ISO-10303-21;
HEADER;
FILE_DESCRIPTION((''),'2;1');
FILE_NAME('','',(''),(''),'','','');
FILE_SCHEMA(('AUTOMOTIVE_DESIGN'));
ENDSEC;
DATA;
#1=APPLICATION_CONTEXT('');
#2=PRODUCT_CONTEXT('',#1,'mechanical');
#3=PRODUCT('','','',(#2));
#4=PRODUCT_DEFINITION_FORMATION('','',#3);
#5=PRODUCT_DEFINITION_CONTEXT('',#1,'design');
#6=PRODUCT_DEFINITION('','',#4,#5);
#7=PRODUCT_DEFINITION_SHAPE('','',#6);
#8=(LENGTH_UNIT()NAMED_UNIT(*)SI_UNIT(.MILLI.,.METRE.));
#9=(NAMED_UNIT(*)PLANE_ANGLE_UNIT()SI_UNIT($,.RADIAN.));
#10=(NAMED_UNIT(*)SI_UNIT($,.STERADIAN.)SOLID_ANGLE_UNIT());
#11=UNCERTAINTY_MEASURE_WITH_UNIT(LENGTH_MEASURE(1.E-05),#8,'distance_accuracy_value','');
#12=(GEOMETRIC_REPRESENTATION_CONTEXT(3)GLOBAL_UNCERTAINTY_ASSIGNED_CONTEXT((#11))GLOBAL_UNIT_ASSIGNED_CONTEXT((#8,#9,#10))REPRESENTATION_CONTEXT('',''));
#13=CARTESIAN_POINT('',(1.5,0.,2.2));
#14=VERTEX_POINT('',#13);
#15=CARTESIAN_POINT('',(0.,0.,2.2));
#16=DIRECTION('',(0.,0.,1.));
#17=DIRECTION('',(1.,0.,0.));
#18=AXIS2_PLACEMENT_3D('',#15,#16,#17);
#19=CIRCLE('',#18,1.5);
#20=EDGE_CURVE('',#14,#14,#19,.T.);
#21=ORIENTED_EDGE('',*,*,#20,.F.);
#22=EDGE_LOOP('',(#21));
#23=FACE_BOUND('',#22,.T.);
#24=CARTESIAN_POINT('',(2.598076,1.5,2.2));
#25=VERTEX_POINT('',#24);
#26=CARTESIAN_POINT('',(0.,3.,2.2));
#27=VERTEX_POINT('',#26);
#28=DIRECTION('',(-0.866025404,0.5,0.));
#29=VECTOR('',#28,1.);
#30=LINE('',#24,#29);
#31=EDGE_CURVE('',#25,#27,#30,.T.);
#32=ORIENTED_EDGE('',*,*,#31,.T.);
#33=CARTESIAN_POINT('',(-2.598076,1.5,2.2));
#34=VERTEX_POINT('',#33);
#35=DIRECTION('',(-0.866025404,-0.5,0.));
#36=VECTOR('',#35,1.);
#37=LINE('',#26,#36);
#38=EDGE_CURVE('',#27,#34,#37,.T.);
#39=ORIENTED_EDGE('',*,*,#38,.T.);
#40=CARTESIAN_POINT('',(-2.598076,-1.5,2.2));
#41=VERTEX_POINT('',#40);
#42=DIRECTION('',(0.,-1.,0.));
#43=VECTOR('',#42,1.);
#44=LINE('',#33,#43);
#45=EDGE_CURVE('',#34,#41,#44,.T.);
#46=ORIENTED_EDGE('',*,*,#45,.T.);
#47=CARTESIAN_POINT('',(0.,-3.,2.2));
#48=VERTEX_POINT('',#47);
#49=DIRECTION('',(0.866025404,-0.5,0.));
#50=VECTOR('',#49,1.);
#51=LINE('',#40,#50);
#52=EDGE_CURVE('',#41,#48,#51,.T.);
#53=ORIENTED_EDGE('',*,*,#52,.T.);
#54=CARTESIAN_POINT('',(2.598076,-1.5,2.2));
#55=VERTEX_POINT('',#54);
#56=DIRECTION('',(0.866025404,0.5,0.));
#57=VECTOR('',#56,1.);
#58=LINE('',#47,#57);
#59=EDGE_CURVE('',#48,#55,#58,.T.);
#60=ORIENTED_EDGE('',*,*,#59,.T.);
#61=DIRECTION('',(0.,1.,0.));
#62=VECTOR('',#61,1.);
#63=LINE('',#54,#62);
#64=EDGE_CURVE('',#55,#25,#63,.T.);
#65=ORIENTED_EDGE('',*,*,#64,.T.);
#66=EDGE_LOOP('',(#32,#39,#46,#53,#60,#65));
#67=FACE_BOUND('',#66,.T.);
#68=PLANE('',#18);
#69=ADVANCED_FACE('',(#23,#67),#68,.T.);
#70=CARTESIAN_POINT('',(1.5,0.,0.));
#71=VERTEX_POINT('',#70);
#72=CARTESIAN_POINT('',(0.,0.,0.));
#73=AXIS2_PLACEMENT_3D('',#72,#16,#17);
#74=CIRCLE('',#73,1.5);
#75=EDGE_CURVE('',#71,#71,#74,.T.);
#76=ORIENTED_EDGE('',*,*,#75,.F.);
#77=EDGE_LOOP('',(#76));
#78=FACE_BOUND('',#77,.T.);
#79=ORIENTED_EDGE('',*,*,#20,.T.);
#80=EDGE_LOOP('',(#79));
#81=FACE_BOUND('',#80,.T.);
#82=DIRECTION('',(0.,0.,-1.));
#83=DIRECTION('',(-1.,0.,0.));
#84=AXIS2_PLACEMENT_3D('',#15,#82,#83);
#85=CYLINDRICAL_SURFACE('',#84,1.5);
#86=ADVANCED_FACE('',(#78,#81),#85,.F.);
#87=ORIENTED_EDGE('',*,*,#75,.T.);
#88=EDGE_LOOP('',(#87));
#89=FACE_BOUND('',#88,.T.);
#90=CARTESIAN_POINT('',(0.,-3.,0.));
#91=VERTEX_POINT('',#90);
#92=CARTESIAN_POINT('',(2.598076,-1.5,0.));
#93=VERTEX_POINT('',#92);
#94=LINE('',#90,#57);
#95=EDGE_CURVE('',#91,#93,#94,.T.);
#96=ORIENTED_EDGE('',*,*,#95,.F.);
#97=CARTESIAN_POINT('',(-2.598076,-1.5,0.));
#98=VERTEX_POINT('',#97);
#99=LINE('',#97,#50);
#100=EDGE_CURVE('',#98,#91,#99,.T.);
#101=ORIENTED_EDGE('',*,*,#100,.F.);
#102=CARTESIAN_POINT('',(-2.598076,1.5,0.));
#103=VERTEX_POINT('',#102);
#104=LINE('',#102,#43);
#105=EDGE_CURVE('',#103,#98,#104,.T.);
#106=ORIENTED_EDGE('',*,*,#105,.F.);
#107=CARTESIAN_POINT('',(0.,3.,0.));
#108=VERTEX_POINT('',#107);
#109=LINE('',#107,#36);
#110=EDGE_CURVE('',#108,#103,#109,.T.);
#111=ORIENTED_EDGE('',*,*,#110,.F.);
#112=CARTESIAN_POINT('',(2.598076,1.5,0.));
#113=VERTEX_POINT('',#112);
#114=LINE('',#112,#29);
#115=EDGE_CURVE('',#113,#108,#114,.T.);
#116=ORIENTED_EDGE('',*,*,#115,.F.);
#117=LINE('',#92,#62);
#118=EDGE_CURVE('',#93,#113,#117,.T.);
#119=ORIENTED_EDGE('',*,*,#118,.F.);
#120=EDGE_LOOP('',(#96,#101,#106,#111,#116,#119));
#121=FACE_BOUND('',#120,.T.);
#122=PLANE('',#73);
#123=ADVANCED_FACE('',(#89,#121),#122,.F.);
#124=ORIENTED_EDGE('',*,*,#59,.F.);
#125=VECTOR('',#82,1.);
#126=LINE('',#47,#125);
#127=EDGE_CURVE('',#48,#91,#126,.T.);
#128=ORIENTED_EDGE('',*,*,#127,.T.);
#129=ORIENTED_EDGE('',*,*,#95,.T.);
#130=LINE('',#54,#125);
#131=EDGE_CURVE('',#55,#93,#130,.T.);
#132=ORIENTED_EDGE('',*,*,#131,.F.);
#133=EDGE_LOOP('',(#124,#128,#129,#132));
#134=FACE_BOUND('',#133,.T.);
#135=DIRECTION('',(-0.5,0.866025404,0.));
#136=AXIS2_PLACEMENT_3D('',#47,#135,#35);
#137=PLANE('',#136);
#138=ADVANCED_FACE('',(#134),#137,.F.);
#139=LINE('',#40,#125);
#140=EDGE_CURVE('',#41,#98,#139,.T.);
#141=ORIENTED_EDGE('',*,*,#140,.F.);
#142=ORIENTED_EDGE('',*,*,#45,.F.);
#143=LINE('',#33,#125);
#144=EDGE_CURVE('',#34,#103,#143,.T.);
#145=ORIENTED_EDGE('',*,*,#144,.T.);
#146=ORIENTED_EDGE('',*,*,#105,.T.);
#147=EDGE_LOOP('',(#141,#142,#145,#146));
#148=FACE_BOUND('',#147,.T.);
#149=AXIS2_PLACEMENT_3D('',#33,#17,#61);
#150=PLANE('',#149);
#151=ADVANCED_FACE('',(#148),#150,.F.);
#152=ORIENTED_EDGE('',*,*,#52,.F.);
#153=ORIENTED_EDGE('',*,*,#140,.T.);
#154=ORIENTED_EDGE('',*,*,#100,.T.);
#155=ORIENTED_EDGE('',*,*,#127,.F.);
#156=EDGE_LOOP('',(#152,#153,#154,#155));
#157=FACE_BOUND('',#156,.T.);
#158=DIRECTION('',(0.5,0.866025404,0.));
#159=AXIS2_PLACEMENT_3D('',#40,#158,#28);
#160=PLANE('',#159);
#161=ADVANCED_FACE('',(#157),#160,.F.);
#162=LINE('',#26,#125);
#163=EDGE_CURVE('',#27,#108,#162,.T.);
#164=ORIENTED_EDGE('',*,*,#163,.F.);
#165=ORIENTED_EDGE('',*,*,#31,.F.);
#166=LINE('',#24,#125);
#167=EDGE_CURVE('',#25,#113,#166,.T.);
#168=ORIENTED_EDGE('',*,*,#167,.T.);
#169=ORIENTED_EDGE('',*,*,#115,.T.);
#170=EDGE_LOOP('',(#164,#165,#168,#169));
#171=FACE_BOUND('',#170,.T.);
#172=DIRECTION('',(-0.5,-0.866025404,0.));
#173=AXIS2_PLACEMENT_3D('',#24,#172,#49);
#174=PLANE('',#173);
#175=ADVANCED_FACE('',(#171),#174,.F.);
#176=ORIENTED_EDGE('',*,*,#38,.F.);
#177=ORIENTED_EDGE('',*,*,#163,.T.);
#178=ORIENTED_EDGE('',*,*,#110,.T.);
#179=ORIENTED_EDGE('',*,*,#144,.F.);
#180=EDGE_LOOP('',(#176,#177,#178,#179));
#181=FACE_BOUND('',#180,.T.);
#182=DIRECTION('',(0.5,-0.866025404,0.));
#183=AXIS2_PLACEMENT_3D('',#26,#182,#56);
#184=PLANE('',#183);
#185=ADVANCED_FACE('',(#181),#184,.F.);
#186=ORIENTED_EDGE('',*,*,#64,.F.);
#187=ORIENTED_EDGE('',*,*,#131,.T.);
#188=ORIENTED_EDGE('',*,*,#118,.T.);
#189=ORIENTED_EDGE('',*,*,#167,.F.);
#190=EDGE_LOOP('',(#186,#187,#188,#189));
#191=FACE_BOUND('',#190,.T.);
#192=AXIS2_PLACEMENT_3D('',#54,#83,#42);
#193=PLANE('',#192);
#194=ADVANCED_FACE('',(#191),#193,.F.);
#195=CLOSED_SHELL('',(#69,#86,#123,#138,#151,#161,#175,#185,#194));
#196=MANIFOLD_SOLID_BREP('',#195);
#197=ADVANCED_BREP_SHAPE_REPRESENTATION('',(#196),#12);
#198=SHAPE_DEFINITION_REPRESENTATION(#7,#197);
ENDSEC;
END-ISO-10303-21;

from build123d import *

# Parameters (mm, degrees)
SKETCH1_R           = 1.5
BOSS_EXTRUDE1_DEPTH = 2.2


with BuildPart() as part:
    # Sketch1 → Boss-Extrude1 (new body)
    with BuildSketch(Plane.XY):
        Polygon((0, 3), (-2.598076211, 1.5), (-2.598076211, -1.5), (0, -3), (2.598076211, -1.5), (2.598076211, 1.5), align=None)
        Circle(SKETCH1_R, mode=Mode.SUBTRACT)
    extrude(amount=BOSS_EXTRUDE1_DEPTH)


solid = part.part
